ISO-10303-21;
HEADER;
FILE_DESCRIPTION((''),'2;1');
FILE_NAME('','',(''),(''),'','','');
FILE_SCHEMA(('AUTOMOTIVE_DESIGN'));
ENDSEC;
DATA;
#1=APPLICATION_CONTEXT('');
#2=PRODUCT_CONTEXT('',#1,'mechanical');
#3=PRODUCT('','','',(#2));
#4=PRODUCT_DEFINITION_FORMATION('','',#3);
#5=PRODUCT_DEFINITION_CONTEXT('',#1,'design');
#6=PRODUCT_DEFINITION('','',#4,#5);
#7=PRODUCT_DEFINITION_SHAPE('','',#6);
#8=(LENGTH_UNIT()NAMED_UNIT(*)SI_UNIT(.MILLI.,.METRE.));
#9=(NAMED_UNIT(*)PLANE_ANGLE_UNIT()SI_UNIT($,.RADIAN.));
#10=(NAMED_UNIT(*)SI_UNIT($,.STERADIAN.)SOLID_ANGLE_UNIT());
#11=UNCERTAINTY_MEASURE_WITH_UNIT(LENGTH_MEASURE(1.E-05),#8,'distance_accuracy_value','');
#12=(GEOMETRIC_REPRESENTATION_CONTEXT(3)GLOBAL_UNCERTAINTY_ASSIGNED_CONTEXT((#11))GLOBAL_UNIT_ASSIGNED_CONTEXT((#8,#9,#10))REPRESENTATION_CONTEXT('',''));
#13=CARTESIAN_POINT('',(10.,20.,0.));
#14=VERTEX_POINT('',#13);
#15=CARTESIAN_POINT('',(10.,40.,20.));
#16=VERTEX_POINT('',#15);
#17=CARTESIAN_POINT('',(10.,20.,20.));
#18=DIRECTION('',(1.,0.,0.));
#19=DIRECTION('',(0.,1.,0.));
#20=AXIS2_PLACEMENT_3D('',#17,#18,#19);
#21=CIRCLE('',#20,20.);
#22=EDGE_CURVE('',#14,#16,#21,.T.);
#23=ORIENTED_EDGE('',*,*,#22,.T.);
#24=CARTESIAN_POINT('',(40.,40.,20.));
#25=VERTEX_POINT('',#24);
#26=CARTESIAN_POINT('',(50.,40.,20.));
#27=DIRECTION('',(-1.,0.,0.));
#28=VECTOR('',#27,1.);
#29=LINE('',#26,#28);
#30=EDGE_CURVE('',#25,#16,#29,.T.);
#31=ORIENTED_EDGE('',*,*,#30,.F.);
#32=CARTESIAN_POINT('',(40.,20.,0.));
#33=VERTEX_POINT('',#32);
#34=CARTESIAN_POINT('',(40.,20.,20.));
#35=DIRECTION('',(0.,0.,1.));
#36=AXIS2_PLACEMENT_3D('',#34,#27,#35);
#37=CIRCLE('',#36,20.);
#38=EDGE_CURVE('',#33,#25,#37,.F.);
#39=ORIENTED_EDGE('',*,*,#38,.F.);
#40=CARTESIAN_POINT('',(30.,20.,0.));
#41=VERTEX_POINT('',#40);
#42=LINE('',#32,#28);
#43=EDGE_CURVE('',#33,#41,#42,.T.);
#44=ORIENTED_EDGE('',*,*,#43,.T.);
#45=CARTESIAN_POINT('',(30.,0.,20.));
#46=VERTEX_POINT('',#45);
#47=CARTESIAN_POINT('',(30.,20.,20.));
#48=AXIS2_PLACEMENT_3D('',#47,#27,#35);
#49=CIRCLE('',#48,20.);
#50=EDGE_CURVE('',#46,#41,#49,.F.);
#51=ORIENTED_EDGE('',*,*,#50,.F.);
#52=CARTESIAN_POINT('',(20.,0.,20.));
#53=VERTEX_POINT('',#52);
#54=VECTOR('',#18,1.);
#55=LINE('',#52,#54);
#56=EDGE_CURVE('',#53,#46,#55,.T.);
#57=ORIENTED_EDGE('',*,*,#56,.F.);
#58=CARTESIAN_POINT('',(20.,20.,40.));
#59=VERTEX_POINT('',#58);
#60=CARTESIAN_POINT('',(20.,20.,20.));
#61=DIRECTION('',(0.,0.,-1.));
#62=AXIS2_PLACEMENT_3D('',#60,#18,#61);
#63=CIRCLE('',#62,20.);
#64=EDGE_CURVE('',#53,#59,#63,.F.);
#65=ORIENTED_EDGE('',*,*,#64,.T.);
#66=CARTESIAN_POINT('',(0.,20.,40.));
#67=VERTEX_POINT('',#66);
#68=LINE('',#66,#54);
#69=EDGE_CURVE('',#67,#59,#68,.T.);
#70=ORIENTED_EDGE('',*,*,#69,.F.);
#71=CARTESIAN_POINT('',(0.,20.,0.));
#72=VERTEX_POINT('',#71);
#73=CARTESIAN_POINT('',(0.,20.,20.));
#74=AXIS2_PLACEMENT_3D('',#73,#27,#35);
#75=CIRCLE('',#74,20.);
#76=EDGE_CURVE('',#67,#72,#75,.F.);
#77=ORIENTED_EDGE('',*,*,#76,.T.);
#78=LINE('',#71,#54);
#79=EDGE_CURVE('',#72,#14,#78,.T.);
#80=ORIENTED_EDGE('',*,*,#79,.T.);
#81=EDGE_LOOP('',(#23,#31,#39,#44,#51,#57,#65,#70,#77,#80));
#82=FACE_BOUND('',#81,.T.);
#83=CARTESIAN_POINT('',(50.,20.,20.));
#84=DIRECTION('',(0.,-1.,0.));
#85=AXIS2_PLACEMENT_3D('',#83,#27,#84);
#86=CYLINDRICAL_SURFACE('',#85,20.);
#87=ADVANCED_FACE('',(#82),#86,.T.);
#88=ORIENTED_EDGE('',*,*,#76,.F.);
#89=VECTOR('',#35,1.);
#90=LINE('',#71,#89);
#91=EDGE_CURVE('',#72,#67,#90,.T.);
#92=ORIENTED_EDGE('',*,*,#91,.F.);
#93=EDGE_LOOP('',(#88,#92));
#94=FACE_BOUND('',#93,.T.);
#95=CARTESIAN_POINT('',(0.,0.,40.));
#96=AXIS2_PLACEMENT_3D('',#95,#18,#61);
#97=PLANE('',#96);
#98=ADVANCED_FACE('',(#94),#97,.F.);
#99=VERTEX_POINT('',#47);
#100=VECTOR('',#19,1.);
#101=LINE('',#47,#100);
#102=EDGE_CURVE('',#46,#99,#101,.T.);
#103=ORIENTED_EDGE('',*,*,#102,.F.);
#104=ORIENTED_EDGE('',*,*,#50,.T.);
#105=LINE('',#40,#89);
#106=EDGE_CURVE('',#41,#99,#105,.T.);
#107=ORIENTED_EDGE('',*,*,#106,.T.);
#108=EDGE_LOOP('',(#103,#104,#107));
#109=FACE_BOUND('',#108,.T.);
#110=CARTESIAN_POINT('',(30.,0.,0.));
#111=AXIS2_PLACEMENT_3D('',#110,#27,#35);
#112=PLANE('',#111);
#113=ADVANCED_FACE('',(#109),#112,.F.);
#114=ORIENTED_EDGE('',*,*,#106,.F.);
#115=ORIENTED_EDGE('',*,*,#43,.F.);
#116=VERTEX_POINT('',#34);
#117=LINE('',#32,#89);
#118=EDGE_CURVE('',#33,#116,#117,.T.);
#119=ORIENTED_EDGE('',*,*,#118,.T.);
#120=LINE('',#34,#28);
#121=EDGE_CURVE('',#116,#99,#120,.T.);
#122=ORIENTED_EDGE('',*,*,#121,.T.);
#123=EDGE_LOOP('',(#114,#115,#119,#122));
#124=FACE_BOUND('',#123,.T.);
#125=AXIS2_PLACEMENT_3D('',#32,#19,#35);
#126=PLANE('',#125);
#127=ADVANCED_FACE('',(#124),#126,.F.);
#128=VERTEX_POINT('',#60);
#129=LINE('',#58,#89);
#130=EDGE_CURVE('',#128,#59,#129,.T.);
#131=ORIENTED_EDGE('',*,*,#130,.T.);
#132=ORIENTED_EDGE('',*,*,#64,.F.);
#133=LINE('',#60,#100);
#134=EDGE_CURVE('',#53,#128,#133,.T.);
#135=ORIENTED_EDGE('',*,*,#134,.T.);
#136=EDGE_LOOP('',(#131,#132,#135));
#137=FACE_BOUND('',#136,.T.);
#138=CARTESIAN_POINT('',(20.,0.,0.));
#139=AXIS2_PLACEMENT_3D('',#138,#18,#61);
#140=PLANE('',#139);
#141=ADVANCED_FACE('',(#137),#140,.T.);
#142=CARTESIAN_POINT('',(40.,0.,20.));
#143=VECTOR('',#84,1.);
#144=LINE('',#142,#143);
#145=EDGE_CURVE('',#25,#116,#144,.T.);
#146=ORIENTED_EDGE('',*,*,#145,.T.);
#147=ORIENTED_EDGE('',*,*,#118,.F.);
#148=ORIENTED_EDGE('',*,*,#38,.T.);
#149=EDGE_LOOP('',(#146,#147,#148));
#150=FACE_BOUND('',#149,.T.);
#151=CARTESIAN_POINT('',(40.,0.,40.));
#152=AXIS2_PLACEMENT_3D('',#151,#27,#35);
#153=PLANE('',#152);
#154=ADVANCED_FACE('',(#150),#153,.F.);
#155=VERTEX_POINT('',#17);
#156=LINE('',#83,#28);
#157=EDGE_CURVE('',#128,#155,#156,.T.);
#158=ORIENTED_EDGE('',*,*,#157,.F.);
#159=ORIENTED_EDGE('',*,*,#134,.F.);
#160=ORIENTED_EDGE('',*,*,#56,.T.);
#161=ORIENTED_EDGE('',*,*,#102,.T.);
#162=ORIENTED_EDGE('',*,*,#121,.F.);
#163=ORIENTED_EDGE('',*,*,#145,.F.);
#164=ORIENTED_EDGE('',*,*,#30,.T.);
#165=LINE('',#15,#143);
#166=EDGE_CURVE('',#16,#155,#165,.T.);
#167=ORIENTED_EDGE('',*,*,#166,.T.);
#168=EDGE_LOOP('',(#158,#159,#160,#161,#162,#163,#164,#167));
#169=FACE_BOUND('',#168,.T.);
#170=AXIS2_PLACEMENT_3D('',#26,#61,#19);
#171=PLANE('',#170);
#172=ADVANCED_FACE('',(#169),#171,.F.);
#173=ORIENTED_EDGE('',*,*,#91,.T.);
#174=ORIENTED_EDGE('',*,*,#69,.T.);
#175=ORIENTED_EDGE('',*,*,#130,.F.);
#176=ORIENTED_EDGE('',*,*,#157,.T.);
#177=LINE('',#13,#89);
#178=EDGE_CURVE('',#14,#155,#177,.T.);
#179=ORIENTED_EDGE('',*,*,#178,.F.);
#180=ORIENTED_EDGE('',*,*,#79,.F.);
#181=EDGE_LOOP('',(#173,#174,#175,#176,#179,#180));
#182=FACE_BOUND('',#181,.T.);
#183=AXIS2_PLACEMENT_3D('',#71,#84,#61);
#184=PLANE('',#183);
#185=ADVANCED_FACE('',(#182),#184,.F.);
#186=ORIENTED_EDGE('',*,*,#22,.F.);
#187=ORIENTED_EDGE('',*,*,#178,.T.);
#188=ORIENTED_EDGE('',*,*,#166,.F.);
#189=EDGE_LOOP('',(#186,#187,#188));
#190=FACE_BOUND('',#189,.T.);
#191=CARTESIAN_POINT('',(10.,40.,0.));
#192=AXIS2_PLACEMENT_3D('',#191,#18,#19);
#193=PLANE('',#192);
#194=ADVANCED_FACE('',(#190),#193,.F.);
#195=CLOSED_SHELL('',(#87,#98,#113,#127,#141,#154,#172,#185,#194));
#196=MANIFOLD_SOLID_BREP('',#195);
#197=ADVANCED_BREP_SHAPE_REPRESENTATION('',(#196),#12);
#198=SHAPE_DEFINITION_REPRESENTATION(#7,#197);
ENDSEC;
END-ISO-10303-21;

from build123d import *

# Parameters (mm, degrees)
SKETCH1_W           = 40
SKETCH1_H           = 40
BOSS_EXTRUDE1_DEPTH = 40
SKETCH2_W           = 10
SKETCH2_H           = 20
CUT_EXTRUDE1_DEPTH  = 40
SKETCH3_W           = 20
SKETCH3_H           = 20
CUT_EXTRUDE2_DEPTH  = 40
CUT_EXTRUDE3_DEPTH  = 40
SKETCH5_W           = 20
SKETCH5_H           = 20
CUT_EXTRUDE4_DEPTH  = 10
CUT_EXTRUDE6_DEPTH  = 43


with BuildPart() as part:
    # Sketch1 → Boss-Extrude1 (new body)
    with BuildSketch(Plane.XY):
        with Locations((20, 20)):
            Rectangle(SKETCH1_W, SKETCH1_H)
    extrude(amount=BOSS_EXTRUDE1_DEPTH)

    # Sketch2 → Cut-Extrude1 (cut)
    with BuildSketch(Plane.XY.offset(40)):
        with Locations((5, 30)):
            Rectangle(SKETCH2_W, SKETCH2_H)
        with Locations((35, 10)):
            Rectangle(SKETCH2_W, SKETCH2_H)
    extrude(amount=-CUT_EXTRUDE1_DEPTH, mode=Mode.SUBTRACT)

    # Sketch3 → Cut-Extrude2 (cut)
    with BuildSketch(Plane.ZY.offset(-10)):
        with Locations((30, 30)):
            Rectangle(SKETCH3_W, SKETCH3_H)
    extrude(amount=-CUT_EXTRUDE2_DEPTH, mode=Mode.SUBTRACT)

    # Sketch4 → Cut-Extrude3 (cut)
    with BuildSketch(Plane.ZY.offset(-10)):
        with BuildLine():
            Line((20, 40), (0, 40))
            Line((0, 40), (0, 20))
            ThreePointArc((0, 20), (5.857864376, 34.142135624), (20, 40))
        make_face()
    extrude(amount=-CUT_EXTRUDE3_DEPTH, mode=Mode.SUBTRACT)

    # Sketch5 → Cut-Extrude4 (cut)
    with BuildSketch(Plane(origin=(30, 0, 0), x_dir=(0, 0, -1), z_dir=(1, 0, 0))):
        with Locations((-30, 10)):
            Rectangle(SKETCH5_W, SKETCH5_H)
    extrude(amount=-CUT_EXTRUDE4_DEPTH, mode=Mode.SUBTRACT)

    # Sketch6 → Cut-Extrude6 (cut)
    with BuildSketch(Plane.ZY):
        with BuildLine():
            ThreePointArc((20, 0), (5.857864376, 5.857864376), (0, 20))
            Line((0, 20), (0, 0))
            Line((0, 0), (20, 0))
        make_face()
        with BuildLine():
            ThreePointArc((40, 20), (34.142135624, 5.857864376), (20, 0))
            Line((20, 0), (40, 0))
            Line((40, 0), (40, 20))
        make_face()
    extrude(amount=-CUT_EXTRUDE6_DEPTH, mode=Mode.SUBTRACT)


solid = part.part
